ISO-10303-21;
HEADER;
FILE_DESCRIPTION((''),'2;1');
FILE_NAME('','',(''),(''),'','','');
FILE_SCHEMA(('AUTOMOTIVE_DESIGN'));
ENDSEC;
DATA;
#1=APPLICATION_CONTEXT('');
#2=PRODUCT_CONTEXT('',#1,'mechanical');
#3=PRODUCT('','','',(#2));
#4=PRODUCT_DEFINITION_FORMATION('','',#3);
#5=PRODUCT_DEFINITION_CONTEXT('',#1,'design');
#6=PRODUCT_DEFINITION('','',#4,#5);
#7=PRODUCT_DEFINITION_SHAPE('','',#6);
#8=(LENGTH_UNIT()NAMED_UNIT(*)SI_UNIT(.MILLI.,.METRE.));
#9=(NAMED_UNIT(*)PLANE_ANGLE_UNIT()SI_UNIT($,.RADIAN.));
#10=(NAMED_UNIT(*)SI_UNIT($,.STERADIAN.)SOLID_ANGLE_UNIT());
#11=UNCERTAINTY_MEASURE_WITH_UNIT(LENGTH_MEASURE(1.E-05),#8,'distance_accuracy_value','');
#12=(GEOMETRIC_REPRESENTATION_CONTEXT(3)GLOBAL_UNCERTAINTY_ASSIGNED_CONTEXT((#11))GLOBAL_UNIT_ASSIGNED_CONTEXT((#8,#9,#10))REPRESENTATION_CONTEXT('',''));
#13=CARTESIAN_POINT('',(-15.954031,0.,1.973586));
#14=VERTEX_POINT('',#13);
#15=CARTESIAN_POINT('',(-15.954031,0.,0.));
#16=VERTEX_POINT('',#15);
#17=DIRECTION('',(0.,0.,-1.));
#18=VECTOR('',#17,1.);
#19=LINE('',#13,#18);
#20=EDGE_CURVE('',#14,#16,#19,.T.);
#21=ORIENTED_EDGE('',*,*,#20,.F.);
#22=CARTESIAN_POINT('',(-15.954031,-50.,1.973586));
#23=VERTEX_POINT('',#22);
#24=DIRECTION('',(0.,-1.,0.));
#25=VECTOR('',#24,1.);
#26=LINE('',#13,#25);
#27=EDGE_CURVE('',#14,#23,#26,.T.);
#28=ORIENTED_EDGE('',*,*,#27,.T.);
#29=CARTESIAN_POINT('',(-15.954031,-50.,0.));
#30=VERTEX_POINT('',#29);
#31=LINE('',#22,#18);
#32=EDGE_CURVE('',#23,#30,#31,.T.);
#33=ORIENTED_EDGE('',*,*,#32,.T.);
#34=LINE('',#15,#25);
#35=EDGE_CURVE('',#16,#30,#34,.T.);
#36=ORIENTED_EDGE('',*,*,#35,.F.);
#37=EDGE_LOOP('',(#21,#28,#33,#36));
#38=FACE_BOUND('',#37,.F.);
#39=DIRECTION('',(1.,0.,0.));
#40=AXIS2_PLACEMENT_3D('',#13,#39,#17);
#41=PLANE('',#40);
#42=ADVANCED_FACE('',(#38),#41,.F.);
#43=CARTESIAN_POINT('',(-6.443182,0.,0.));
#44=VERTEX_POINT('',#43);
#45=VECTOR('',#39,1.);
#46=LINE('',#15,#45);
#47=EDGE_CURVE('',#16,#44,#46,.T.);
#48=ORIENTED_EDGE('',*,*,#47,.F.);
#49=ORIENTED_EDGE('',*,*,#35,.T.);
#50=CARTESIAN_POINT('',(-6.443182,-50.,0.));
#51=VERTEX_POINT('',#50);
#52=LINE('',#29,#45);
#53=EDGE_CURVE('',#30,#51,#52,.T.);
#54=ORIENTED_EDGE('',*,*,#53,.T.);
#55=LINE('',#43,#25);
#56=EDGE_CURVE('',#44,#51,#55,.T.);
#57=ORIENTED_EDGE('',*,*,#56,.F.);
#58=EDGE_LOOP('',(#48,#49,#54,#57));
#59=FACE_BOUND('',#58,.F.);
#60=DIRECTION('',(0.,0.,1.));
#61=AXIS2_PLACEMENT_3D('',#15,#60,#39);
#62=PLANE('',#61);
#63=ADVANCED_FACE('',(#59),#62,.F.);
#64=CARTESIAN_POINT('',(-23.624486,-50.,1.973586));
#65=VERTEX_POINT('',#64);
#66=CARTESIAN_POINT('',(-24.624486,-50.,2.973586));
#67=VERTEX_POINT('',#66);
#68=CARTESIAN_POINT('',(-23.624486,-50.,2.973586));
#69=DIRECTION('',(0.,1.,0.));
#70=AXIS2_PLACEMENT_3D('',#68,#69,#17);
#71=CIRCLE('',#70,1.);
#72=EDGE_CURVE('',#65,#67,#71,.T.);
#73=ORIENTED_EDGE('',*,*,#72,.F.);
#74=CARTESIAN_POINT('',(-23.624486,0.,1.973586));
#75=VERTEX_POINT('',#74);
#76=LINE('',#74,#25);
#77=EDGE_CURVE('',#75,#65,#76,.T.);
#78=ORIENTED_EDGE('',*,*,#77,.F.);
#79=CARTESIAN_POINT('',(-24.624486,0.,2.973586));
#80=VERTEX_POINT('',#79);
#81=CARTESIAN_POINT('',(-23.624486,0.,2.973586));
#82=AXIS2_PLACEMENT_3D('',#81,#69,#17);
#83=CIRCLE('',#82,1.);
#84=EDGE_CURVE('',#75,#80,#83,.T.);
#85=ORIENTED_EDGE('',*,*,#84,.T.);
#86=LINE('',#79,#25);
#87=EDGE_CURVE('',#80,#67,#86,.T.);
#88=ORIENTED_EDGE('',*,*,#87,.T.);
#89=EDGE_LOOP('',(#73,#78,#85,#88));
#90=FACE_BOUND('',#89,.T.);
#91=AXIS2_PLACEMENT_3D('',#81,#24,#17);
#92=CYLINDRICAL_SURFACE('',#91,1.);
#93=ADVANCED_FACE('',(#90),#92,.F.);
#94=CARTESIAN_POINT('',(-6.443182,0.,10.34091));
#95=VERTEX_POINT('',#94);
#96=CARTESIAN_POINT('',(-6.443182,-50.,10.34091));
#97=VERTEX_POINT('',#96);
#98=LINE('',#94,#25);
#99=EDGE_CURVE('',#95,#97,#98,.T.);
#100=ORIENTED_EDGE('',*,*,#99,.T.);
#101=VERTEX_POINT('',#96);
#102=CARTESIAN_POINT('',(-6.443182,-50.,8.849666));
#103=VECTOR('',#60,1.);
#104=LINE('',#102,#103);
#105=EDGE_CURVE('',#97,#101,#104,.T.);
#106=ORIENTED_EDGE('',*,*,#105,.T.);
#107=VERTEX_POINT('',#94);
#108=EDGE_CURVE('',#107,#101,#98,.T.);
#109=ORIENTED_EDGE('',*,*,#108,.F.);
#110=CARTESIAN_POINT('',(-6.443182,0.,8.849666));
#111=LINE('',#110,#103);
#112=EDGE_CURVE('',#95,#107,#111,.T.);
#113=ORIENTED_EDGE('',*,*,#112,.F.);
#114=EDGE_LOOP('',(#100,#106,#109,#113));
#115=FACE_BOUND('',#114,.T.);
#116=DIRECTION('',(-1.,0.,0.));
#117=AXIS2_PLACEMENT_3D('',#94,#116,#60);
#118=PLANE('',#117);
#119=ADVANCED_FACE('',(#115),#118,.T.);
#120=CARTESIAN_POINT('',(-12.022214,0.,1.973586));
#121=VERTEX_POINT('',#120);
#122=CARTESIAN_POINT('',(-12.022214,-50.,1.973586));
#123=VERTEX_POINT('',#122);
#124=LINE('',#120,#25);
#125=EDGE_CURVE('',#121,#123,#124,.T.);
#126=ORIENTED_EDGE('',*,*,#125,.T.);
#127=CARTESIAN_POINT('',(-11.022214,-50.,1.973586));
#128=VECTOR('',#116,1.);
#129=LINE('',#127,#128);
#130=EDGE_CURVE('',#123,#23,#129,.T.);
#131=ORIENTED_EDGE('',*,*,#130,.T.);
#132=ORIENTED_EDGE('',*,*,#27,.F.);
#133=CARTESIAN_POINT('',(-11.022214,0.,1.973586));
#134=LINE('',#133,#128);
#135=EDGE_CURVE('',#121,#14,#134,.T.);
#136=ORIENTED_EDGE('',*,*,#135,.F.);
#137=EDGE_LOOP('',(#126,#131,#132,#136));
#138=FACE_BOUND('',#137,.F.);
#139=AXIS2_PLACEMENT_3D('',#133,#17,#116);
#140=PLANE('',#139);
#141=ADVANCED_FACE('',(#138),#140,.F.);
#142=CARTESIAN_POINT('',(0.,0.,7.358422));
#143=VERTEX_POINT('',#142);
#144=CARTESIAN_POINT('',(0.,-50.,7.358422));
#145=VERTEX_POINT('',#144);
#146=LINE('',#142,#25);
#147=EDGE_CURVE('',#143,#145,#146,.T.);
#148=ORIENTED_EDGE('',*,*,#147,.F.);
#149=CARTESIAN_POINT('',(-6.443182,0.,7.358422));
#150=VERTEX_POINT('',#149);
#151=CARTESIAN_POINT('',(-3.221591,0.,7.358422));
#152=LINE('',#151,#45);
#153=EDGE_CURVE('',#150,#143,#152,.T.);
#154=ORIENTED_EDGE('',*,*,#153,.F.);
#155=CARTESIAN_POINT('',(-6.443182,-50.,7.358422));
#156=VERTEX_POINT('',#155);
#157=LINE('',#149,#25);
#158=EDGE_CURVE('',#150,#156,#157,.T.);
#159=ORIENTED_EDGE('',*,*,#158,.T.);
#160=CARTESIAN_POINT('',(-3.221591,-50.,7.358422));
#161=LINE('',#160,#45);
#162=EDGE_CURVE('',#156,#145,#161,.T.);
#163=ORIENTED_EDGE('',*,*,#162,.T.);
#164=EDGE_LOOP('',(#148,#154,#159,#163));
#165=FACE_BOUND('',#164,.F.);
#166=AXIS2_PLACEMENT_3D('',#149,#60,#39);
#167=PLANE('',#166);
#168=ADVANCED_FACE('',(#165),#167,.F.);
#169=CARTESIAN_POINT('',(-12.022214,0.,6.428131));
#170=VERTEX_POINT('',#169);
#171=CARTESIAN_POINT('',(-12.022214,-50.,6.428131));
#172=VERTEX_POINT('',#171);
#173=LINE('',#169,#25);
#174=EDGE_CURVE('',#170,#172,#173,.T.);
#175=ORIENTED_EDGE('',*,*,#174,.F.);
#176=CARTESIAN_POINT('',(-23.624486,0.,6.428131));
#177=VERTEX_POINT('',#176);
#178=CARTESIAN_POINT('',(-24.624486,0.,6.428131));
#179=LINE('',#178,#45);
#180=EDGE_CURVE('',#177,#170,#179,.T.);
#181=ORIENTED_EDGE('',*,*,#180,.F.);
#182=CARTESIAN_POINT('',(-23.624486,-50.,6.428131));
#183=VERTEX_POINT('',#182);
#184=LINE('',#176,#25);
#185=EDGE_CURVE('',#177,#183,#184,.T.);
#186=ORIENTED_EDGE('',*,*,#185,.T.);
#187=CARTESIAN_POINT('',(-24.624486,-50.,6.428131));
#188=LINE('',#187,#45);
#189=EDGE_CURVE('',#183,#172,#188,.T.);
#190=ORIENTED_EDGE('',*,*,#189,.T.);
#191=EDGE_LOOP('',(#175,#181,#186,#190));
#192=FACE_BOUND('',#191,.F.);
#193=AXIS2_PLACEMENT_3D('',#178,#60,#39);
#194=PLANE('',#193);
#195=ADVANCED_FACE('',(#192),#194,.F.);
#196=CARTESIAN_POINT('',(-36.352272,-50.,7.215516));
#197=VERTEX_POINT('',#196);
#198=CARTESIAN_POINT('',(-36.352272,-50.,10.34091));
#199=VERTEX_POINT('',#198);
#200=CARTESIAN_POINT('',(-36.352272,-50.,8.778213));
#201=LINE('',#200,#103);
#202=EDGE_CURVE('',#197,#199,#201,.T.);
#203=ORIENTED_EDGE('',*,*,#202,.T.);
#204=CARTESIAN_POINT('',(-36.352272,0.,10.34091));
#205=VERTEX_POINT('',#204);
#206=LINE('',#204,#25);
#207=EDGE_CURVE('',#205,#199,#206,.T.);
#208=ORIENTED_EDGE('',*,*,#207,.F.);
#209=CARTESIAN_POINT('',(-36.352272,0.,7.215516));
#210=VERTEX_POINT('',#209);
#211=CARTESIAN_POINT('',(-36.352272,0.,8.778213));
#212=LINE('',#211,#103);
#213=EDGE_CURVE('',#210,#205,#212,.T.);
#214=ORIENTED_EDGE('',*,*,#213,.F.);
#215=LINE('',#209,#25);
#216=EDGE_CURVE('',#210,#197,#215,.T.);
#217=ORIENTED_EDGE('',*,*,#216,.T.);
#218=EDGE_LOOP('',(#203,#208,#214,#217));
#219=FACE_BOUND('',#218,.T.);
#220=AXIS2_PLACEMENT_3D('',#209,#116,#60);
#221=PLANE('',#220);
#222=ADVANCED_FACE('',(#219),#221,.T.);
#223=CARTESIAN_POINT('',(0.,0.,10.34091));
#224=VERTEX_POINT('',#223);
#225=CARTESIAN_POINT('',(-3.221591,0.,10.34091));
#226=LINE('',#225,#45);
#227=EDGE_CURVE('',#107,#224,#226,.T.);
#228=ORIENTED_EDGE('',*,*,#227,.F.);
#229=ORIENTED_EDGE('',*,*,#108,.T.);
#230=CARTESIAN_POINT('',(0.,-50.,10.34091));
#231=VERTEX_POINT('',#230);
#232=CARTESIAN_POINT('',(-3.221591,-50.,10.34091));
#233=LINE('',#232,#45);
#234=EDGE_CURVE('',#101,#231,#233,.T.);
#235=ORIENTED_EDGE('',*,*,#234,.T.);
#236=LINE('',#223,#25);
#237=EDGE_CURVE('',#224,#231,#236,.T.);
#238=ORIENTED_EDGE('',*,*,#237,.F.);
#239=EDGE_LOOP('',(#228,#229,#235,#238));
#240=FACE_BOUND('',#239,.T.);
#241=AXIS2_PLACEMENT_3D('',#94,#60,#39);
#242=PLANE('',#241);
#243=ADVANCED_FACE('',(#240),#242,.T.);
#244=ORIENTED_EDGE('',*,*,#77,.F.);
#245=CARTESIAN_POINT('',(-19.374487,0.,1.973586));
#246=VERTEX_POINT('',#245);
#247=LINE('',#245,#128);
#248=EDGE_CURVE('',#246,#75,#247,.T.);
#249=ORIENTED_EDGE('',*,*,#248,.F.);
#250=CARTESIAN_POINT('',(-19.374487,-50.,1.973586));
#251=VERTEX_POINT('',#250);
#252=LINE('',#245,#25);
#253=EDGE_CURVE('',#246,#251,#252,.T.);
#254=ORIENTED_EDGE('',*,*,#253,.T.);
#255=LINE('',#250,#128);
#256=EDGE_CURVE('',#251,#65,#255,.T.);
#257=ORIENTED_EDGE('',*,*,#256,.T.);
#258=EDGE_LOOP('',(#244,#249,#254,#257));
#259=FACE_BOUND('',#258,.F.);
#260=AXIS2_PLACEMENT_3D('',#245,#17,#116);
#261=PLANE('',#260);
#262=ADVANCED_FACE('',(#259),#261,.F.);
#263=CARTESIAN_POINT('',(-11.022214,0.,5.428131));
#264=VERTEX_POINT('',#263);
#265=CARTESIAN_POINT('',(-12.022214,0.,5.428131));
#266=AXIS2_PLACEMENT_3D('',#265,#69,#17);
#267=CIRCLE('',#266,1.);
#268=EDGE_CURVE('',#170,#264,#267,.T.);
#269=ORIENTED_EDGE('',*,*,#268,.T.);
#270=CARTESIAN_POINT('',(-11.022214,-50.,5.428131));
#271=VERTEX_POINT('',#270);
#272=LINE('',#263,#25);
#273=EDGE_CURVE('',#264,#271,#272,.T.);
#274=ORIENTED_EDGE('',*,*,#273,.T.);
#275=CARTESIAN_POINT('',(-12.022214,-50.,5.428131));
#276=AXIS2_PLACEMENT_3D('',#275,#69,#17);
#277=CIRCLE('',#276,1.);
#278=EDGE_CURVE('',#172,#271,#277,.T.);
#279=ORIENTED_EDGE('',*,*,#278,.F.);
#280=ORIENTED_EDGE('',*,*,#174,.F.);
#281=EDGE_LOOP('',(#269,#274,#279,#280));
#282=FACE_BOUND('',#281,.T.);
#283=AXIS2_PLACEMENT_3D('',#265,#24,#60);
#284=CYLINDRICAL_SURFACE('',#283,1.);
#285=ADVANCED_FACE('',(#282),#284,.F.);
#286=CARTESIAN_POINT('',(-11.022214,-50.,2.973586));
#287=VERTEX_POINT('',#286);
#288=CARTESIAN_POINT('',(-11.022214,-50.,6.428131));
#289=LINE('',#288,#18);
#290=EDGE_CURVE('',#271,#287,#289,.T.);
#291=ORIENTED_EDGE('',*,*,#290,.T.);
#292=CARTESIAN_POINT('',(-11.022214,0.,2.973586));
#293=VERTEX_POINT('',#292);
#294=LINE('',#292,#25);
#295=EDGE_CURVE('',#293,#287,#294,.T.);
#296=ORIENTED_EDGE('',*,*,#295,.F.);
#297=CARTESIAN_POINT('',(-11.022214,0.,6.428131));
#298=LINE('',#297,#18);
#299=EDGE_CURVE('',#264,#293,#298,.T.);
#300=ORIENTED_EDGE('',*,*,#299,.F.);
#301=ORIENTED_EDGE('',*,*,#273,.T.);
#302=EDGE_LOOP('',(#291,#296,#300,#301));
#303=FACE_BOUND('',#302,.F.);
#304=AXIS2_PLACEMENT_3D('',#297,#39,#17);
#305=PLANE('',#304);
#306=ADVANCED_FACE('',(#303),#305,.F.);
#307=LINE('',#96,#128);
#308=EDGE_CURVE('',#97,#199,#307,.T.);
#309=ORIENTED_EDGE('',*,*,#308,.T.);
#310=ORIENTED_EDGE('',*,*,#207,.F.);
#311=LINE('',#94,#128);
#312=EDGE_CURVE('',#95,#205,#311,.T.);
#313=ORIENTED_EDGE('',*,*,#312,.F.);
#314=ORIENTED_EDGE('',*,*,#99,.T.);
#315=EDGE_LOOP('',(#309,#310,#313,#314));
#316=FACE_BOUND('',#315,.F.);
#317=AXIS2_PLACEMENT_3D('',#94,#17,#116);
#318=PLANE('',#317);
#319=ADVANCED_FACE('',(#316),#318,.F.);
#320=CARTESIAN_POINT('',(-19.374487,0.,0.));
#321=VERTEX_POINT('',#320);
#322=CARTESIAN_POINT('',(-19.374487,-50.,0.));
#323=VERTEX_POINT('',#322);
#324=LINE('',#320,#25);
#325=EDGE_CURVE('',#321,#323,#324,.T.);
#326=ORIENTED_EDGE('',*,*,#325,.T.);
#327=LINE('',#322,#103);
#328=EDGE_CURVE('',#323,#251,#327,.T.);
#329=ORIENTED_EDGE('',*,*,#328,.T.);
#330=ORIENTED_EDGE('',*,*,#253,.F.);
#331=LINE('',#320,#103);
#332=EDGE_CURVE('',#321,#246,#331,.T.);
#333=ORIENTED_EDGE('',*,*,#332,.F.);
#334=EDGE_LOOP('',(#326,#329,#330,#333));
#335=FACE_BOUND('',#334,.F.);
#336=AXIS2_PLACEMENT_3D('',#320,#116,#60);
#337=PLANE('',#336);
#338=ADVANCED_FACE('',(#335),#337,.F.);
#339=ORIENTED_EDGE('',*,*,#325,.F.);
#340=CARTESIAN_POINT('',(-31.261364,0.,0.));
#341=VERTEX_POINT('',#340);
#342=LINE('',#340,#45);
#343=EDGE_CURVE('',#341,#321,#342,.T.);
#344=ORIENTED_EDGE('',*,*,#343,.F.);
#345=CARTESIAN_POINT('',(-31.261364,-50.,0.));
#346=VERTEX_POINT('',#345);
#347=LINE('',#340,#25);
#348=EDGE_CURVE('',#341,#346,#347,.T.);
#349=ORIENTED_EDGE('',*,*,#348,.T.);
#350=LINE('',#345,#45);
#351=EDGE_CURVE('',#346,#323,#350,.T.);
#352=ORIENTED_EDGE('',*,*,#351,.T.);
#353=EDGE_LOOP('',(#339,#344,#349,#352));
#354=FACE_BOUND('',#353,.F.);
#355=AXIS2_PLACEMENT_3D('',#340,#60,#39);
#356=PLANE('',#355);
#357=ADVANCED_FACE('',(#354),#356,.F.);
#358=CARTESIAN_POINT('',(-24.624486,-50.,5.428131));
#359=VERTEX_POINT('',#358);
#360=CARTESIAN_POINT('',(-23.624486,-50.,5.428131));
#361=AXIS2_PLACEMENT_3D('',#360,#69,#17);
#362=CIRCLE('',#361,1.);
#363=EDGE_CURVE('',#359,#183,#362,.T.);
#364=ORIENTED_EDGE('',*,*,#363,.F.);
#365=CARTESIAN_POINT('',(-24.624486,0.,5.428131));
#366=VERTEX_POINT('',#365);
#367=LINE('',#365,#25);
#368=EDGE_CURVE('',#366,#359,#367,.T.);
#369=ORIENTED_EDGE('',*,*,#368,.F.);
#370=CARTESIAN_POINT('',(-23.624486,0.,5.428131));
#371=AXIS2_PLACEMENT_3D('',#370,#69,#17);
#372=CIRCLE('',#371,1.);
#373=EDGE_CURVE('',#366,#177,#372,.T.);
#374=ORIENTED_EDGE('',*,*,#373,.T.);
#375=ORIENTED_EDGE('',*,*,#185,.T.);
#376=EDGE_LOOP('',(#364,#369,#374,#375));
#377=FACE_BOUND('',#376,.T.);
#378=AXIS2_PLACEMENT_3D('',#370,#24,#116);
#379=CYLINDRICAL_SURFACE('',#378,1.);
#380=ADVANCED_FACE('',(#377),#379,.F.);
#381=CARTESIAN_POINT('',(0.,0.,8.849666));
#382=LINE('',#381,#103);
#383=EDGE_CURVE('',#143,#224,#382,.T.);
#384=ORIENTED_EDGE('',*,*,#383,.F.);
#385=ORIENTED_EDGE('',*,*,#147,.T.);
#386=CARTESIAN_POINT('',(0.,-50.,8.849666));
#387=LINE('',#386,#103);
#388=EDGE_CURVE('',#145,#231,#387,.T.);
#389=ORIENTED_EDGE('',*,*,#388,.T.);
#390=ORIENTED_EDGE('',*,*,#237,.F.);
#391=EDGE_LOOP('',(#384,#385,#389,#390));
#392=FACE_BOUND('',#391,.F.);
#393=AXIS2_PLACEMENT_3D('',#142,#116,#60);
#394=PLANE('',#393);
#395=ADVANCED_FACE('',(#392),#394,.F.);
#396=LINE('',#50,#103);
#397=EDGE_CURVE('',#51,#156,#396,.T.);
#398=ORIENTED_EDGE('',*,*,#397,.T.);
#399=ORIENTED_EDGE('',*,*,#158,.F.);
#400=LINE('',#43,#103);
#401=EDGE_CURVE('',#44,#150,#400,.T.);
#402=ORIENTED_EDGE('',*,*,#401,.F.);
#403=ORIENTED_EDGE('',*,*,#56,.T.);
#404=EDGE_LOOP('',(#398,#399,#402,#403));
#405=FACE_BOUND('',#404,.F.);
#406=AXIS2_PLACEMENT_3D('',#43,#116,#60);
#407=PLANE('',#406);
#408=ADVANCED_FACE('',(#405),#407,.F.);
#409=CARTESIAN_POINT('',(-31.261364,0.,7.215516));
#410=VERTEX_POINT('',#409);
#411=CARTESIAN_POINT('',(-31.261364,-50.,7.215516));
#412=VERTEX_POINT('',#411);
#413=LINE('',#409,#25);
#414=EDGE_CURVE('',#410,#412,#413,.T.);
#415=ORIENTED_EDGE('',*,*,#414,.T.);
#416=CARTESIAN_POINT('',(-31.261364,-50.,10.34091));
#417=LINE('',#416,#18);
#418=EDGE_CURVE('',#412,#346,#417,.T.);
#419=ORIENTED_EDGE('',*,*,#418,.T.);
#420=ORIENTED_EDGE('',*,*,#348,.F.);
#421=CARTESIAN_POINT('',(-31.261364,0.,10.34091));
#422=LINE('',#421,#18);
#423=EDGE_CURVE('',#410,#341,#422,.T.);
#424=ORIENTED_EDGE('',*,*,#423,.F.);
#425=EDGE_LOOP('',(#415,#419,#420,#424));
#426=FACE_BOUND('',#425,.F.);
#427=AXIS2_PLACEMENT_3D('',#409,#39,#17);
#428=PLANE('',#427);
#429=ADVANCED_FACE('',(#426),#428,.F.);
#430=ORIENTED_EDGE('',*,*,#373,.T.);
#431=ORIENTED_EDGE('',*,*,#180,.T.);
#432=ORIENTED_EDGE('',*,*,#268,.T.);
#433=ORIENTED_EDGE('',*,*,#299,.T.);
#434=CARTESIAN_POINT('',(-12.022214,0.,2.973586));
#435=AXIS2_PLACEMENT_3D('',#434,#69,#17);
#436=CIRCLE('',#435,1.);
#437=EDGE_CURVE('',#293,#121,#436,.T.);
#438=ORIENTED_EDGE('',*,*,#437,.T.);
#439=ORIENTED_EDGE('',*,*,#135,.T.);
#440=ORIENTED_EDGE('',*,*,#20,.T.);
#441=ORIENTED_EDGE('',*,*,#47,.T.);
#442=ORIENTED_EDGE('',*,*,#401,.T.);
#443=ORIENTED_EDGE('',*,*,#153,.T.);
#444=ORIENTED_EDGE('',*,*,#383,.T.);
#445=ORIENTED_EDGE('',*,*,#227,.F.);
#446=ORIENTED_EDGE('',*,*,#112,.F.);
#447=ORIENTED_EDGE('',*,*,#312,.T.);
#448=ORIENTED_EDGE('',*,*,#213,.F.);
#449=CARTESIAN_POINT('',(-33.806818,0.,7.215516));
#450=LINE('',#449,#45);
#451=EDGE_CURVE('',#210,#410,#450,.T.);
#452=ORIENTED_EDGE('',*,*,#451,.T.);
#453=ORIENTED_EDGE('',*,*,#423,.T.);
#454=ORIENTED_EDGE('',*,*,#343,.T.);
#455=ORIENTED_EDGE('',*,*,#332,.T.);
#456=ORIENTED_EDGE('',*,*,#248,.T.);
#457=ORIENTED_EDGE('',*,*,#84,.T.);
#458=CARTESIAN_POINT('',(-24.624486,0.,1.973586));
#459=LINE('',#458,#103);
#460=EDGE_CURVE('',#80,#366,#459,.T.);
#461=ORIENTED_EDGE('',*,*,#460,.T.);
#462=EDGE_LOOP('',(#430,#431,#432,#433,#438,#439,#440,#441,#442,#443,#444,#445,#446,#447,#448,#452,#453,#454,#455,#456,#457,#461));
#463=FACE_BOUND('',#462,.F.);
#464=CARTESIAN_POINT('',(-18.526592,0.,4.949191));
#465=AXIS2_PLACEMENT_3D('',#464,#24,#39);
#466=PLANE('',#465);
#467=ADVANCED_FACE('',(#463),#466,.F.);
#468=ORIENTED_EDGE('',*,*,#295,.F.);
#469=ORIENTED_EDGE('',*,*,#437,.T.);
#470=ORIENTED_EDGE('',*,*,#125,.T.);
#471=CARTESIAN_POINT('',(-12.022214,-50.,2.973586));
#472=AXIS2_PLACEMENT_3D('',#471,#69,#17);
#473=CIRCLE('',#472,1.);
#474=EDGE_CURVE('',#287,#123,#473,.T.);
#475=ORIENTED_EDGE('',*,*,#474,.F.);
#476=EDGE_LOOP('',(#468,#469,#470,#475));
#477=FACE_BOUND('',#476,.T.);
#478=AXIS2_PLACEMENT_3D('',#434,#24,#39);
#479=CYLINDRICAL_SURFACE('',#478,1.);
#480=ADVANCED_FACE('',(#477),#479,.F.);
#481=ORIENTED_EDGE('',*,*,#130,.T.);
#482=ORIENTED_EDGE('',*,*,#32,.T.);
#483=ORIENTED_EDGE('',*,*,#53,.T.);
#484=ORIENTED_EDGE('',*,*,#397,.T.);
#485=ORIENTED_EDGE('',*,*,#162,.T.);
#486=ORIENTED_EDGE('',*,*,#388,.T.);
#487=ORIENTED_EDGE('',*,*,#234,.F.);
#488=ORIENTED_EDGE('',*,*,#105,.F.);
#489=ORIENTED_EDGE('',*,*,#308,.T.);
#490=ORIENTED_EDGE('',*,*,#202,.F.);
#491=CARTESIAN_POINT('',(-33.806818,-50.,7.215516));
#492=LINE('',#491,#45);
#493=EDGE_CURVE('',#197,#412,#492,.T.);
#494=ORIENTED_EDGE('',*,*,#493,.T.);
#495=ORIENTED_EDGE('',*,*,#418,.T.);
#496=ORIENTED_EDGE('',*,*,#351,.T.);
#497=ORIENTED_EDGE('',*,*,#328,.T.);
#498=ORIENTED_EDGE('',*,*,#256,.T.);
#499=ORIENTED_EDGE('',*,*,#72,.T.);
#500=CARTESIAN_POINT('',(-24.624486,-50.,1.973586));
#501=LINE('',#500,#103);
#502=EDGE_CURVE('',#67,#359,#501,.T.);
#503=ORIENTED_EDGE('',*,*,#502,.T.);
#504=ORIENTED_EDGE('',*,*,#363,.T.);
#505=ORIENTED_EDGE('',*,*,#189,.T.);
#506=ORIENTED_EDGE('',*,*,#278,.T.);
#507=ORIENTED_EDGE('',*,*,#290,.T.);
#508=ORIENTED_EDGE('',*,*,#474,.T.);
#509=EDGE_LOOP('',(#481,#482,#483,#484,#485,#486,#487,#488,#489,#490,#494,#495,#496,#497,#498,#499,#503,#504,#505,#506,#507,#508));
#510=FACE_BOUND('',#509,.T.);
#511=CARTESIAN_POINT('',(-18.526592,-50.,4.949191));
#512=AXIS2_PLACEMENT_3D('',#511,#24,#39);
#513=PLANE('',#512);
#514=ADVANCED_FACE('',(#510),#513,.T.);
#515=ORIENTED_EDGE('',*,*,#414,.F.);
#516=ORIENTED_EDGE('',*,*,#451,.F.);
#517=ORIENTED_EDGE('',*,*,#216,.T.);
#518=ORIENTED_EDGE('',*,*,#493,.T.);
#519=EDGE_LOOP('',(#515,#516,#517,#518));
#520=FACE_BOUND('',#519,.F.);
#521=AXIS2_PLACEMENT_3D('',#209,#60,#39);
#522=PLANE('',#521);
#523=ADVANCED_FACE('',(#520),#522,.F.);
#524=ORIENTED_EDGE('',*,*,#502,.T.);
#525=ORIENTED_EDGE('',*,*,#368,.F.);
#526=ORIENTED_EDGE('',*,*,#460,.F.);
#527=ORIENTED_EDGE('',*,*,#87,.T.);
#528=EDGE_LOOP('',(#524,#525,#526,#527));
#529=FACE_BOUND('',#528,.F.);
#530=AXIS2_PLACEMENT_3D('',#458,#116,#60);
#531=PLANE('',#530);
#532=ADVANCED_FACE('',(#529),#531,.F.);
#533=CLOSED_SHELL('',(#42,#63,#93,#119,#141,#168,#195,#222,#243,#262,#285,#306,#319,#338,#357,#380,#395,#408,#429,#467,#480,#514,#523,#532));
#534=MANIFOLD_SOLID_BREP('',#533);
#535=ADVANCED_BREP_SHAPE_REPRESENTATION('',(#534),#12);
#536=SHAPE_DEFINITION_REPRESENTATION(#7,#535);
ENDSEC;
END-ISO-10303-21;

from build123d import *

# Parameters (mm, degrees)
F0_W     = 6.443182
F0_H     = 2.982489
F0_W_2   = 5.090909
F0_H_2   = 3.125394
F1_DEPTH = 50
F2_R     = 1


with BuildPart() as f1:
    # F0 (on Front) → F1 (new body)
    with BuildSketch(Plane.XZ):
        Polygon((-11.21591, 0), (-6.443182, 0), (-6.443182, 7.358421), (-6.443182, 10.34091), (-31.261364, 10.34091), (-31.261364, 7.215516), (-31.261364, 0), (-24.261364, 0), (-19.374487, 0), (-19.374487, 1.973586), (-24.624486, 1.973586), (-24.624486, 6.428131), (-11.022214, 6.428131), (-11.022214, 1.973586), (-15.954031, 1.973586), (-15.954031, 0), align=None)
        with Locations((-3.221591, 8.849666)):
            Rectangle(F0_W, F0_H)
        with Locations((-33.806818, 8.778213)):
            Rectangle(F0_W_2, F0_H_2)
    extrude(amount=F1_DEPTH)

    # F2
    f2_edges = [f1.edges().sort_by_distance(p)[0] for p in [
        (-24.624486, -25, 6.428131),
        (-11.022214, -25, 6.428131),
        (-11.022214, -25, 1.973586),
        (-24.624486, -25, 1.973586),
    ]]
    fillet(f2_edges, radius=F2_R)


solid = f1.part
